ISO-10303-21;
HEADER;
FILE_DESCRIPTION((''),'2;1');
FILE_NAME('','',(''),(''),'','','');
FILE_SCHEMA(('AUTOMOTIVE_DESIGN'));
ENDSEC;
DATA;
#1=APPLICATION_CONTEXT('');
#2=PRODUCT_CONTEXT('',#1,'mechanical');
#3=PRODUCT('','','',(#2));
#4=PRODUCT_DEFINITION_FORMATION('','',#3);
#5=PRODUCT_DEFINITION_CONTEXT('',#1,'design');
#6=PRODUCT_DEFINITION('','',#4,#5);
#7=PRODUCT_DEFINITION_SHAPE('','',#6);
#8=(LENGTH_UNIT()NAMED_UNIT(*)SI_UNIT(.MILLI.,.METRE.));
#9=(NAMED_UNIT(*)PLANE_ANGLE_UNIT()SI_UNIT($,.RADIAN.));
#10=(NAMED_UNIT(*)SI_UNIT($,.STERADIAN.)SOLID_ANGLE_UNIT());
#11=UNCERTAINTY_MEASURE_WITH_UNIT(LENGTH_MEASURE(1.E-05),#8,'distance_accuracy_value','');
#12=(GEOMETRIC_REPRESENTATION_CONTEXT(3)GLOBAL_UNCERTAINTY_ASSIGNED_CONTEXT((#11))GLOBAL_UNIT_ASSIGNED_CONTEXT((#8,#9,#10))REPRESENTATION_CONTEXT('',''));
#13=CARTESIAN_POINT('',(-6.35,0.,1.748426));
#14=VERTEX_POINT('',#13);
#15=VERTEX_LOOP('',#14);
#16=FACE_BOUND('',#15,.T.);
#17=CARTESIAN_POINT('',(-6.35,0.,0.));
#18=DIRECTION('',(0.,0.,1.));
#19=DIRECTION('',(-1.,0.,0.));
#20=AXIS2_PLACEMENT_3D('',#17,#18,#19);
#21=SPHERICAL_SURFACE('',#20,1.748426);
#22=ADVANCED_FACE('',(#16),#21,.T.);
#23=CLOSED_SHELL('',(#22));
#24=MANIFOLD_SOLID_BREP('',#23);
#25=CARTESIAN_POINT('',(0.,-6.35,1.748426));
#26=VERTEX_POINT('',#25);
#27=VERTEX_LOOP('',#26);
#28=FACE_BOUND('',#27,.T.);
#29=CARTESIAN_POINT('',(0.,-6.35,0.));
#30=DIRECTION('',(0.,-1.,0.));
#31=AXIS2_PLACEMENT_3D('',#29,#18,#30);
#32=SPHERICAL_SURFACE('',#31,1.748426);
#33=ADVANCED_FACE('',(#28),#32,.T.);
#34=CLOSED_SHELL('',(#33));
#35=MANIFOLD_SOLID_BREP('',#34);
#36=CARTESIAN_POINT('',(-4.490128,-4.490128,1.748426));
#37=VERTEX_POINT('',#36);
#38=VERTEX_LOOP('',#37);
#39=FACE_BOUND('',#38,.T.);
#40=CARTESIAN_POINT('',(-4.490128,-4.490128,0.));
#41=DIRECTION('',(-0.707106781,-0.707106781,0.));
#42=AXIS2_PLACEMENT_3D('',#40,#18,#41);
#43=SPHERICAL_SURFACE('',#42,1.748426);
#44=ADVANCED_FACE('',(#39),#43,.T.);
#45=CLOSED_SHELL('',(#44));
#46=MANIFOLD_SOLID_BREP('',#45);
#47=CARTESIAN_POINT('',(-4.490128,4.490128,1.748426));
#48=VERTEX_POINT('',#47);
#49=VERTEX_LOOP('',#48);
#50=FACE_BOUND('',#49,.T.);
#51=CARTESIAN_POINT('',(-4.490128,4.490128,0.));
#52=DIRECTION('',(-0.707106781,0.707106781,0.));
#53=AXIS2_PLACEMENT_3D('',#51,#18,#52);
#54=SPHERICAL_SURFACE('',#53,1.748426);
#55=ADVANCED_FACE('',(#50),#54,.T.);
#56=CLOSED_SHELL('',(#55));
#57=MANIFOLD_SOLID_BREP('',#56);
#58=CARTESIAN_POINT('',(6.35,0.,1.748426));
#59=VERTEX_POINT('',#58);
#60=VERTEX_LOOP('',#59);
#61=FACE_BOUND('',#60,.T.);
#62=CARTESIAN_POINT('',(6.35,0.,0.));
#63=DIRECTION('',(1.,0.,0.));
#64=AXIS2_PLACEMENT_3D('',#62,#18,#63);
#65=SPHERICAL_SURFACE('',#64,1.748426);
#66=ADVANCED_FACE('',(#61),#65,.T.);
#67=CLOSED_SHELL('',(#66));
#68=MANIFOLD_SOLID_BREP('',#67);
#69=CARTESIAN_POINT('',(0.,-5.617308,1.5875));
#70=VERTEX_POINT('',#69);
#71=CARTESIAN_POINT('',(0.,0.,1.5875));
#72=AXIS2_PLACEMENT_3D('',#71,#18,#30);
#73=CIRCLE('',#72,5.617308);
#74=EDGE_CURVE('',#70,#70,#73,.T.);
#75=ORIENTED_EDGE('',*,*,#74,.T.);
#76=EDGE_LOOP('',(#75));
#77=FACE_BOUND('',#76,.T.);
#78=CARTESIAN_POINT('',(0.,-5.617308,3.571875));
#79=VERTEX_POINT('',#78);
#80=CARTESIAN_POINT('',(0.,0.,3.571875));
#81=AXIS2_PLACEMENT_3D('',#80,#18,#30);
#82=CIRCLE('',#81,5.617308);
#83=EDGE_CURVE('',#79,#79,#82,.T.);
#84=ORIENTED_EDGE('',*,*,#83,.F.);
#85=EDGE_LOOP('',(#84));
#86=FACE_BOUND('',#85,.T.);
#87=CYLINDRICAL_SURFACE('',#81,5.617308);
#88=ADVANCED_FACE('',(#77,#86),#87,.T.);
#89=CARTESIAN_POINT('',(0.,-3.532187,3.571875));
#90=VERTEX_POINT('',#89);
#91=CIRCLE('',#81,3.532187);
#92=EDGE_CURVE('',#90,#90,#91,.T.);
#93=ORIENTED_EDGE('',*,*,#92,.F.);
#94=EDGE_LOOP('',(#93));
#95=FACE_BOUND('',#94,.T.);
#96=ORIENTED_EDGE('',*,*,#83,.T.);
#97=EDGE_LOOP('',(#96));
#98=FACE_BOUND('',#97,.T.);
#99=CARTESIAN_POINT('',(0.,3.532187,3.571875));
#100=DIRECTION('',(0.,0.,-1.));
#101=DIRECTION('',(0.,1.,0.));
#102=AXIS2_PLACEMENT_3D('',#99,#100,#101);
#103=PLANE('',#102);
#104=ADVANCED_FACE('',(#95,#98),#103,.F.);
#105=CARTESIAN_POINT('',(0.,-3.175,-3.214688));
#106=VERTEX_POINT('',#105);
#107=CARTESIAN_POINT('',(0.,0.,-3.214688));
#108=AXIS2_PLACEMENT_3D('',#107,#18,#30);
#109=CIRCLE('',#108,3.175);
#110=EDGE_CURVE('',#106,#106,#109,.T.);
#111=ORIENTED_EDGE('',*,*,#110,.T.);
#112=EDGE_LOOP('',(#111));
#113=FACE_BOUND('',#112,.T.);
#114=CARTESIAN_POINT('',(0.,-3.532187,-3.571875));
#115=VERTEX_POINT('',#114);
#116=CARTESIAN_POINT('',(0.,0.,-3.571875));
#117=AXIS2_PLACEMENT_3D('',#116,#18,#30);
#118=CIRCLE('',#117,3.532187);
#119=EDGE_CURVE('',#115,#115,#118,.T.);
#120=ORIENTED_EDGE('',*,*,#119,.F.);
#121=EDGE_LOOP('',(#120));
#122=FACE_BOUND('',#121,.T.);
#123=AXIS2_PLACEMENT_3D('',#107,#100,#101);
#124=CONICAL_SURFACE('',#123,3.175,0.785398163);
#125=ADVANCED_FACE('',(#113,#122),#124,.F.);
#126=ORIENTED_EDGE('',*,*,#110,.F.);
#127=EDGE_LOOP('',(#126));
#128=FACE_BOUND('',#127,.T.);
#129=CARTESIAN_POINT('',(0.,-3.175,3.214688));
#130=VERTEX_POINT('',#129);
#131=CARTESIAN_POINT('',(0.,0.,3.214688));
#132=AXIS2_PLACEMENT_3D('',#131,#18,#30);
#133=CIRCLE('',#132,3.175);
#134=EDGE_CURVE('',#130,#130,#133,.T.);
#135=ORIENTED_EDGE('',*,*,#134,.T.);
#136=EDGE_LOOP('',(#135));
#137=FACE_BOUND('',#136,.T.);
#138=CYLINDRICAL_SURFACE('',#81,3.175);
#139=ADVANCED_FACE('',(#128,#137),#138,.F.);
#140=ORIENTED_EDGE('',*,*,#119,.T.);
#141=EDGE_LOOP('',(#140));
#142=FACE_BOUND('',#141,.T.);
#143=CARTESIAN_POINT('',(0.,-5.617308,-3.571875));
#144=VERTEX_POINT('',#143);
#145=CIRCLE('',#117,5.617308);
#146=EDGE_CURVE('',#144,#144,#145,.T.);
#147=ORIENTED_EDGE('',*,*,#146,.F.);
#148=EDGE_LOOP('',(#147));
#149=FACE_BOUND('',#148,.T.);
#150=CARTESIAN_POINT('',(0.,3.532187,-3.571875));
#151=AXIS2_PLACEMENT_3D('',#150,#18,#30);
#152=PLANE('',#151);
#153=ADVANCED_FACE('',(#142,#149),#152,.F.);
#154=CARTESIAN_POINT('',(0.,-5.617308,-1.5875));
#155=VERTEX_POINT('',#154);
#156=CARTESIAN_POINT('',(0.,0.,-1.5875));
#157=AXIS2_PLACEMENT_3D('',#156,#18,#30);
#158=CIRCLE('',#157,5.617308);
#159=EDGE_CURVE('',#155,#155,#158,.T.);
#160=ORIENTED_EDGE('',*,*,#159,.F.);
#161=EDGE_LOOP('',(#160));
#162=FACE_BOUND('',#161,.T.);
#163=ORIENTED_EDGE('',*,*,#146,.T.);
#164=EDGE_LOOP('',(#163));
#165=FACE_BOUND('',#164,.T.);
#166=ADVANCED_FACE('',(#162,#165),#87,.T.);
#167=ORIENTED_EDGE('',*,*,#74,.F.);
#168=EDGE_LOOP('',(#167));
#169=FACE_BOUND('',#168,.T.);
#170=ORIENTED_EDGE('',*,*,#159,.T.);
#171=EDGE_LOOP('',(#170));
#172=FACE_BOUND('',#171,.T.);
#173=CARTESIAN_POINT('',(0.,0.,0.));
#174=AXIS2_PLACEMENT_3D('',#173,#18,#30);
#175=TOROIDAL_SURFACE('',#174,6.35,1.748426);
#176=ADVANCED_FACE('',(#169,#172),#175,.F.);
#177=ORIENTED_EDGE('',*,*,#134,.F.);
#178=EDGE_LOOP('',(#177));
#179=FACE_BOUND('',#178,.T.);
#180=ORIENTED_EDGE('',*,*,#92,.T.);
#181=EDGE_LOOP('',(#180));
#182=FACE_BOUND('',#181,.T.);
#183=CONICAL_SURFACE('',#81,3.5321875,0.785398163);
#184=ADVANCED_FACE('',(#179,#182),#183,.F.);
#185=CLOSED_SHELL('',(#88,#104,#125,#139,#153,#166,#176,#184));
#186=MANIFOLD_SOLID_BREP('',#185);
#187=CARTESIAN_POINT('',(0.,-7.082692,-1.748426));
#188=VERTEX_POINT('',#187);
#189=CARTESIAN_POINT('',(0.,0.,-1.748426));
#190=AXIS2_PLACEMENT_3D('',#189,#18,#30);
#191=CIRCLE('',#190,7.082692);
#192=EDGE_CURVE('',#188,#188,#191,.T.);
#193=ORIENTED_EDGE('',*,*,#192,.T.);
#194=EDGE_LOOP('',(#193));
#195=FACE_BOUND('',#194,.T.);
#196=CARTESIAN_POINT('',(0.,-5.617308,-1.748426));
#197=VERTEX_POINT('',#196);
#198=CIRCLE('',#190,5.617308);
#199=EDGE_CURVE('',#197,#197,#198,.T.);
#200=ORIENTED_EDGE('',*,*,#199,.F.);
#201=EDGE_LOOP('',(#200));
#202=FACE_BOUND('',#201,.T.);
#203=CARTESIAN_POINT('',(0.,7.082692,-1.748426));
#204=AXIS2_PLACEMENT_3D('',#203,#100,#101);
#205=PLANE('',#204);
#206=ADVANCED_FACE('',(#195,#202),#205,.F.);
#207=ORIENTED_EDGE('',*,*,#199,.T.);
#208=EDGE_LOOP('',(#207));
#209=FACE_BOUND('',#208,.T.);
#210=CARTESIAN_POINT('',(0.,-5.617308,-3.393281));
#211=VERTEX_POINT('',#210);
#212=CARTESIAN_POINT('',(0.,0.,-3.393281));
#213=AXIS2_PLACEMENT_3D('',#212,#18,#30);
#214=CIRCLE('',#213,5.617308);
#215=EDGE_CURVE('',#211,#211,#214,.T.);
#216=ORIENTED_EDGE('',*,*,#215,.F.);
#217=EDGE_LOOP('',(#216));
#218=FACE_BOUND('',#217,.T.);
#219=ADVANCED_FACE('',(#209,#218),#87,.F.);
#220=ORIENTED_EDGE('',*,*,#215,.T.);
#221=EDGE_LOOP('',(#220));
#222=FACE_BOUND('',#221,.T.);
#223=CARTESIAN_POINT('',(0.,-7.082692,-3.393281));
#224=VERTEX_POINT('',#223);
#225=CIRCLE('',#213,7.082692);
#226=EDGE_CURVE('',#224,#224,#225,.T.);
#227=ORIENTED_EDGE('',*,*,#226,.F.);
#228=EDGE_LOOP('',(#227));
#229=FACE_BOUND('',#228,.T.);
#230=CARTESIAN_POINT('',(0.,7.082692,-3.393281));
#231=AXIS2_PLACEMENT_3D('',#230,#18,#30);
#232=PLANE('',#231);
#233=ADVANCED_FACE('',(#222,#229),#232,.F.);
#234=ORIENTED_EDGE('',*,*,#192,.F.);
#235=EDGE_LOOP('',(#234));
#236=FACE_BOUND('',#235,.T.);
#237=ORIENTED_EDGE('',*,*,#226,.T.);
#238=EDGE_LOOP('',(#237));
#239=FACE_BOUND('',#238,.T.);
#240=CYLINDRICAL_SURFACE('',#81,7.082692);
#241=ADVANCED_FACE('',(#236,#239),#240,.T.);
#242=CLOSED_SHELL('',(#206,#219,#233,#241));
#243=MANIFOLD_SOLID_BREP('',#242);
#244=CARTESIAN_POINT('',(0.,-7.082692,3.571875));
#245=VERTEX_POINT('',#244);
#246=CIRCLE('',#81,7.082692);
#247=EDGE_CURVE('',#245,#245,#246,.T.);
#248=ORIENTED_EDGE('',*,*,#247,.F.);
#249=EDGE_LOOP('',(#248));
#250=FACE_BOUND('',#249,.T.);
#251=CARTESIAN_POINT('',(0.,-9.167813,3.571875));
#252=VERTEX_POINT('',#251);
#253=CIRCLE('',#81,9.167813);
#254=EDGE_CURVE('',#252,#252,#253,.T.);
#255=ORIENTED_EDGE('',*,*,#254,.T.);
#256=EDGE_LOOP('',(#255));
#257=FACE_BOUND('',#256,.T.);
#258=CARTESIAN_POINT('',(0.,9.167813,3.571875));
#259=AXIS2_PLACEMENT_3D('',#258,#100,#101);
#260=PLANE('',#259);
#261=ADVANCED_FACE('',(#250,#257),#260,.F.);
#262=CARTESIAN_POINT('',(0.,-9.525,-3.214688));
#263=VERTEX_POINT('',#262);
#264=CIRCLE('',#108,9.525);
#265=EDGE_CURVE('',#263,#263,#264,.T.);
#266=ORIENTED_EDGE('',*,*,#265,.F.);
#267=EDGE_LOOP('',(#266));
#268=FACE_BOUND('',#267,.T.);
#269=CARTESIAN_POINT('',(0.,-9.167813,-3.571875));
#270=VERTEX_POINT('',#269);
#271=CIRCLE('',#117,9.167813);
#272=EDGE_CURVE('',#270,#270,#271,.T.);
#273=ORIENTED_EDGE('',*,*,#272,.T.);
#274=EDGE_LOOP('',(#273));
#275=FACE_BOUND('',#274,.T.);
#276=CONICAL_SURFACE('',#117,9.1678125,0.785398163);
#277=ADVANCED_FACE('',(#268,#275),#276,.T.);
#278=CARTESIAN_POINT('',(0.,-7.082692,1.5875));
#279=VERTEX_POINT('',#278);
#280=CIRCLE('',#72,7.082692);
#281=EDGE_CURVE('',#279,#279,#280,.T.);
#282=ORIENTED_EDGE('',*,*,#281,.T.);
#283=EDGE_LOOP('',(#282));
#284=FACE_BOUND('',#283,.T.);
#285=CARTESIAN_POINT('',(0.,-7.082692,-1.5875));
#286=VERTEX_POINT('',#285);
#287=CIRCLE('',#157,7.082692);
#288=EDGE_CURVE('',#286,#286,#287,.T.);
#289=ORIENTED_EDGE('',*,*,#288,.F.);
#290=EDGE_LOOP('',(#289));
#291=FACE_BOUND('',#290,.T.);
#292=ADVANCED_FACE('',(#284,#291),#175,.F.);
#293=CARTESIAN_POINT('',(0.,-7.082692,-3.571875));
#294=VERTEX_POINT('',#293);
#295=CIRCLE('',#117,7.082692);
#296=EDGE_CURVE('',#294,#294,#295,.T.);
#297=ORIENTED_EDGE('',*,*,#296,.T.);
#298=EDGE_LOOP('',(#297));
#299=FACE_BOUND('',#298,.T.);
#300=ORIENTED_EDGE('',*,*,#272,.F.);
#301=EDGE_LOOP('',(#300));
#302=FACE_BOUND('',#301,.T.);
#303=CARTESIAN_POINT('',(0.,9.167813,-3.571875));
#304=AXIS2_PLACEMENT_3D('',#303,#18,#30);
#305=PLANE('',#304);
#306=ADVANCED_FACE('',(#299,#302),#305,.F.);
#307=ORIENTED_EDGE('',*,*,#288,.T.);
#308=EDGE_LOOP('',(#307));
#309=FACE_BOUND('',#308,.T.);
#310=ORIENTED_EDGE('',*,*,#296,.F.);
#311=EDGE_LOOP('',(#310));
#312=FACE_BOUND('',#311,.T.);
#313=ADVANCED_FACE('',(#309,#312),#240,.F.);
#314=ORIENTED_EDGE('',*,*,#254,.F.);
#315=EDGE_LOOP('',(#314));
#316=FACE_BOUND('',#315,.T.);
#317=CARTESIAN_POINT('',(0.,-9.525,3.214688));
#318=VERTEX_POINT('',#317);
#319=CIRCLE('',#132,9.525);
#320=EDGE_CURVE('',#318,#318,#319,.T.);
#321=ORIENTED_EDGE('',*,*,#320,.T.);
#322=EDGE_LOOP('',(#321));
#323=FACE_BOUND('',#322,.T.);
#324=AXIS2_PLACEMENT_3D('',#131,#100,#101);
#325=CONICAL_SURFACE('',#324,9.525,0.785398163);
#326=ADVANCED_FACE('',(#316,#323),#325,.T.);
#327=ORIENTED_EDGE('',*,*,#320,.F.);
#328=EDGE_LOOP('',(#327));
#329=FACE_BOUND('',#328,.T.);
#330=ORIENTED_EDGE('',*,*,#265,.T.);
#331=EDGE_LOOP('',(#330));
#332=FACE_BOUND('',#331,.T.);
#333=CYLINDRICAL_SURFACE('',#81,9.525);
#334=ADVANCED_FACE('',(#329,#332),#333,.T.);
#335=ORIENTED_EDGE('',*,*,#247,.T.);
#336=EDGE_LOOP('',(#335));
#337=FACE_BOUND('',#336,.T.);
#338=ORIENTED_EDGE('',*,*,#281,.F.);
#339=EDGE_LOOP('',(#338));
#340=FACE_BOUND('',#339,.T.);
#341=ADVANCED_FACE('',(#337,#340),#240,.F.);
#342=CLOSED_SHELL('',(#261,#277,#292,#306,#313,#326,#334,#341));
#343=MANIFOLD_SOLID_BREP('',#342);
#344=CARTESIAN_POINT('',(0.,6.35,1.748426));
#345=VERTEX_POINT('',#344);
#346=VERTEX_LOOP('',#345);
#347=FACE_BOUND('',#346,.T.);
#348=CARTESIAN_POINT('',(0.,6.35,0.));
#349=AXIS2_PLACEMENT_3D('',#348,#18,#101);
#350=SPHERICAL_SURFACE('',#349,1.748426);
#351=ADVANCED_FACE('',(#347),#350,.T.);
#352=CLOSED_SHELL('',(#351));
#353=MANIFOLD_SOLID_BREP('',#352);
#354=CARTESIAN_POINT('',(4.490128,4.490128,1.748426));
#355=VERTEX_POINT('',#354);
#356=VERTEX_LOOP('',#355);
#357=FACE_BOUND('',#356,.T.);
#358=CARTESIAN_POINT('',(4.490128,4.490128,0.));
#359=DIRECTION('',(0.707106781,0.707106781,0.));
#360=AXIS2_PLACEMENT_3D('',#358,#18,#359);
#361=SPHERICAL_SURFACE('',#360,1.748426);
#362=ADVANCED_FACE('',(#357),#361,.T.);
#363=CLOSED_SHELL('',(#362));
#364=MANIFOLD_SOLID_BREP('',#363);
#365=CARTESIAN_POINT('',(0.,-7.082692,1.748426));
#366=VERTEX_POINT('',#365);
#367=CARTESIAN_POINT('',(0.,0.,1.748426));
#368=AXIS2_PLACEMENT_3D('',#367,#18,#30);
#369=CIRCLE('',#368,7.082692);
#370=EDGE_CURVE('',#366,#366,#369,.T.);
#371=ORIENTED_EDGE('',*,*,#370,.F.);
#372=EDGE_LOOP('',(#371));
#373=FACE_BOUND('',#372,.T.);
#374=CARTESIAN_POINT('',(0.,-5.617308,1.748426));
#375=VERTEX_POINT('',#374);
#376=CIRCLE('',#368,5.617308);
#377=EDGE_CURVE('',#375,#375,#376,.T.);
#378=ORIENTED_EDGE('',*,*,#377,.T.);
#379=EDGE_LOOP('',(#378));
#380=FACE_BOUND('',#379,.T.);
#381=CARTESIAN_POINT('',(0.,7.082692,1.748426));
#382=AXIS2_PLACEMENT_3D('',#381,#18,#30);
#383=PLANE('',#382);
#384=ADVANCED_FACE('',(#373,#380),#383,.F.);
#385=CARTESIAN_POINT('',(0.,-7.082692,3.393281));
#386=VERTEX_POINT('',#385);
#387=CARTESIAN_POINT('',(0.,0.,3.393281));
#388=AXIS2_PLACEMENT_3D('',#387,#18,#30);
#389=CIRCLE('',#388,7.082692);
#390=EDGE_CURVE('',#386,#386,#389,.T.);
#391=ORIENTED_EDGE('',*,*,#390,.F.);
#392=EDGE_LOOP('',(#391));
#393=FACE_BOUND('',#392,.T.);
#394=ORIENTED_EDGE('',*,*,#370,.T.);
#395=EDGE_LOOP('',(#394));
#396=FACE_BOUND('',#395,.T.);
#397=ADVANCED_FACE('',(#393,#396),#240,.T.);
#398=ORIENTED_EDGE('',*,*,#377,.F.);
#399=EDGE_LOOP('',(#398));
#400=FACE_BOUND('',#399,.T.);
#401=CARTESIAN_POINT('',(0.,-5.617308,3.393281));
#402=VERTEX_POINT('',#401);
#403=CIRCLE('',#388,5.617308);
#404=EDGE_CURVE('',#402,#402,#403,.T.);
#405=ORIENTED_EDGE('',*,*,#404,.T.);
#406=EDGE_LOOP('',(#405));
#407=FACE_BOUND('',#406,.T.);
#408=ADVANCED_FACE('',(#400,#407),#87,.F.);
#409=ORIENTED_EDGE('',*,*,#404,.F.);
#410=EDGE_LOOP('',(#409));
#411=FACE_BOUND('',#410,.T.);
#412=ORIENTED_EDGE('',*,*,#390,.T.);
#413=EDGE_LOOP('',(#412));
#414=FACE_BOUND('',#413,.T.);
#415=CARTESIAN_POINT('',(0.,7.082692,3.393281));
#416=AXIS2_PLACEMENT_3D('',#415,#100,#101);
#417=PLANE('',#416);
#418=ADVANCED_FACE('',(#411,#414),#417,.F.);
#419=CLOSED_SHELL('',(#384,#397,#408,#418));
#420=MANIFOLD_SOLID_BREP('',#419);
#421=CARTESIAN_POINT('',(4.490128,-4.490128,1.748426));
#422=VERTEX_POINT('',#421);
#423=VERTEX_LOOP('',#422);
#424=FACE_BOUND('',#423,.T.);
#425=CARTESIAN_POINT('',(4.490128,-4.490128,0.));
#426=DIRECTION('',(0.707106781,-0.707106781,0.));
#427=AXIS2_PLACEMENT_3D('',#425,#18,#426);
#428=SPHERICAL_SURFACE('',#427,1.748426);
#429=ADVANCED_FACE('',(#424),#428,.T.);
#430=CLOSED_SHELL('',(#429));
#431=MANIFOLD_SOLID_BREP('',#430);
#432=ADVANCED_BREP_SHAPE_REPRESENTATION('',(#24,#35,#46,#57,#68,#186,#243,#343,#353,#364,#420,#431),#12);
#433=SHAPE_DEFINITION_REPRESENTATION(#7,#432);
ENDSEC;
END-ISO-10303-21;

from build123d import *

# Parameters (mm, degrees)
CIRPATTERN1_COUNT = 8
SKETCH5_W         = 1.644855024
SKETCH5_H         = 1.465384616


with BuildPart() as part:
    # Sketch7 → Revolve6 (revolve)
    with BuildSketch(Plane(origin=(0, 0, 0), x_dir=(0, 0, -1), z_dir=(1, 0, 0)), mode=Mode.PRIVATE) as revolve6_sk:
        with BuildLine():
            Line((3.2146875, 9.525), (3.571875, 9.1678125))
            Line((3.571875, 9.1678125), (3.571875, 7.082692308))
            Line((3.571875, 7.082692308), (1.5875, 7.082692308))
            ThreePointArc((1.5875, 7.082692308), (0, 8.098426226), (-1.5875, 7.082692308))
            Line((-1.5875, 7.082692308), (-3.571875, 7.082692308))
            Line((-3.571875, 7.082692308), (-3.571875, 9.1678125))
            Line((-3.571875, 9.1678125), (-3.2146875, 9.525))
            Line((-3.2146875, 9.525), (3.2146875, 9.525))
        make_face()
    revolve(revolve6_sk.sketch.rotate(Axis((0, 0, 3.571875), (0, 0, -1)), 180), axis=Axis((0, 0, 3.571875), (0, 0, -1)))


with BuildPart() as body_2:
    # Sketch3 → Revolve3 (revolve)
    with BuildSketch(Plane(origin=(0, 0, 0), x_dir=(0, 0, -1), z_dir=(1, 0, 0)), mode=Mode.PRIVATE) as revolve3_sk:
        with BuildLine():
            Line((-3.2146875, 3.175), (-3.571875, 3.5321875))
            Line((-3.571875, 3.5321875), (-3.571875, 5.617307692))
            Line((-3.571875, 5.617307692), (-1.5875, 5.617307692))
            ThreePointArc((-1.5875, 5.617307692), (0, 4.601573774), (1.5875, 5.617307692))
            Line((1.5875, 5.617307692), (3.571875, 5.617307692))
            Line((3.571875, 5.617307692), (3.571875, 3.5321875))
            Line((3.571875, 3.5321875), (3.2146875, 3.175))
            Line((3.2146875, 3.175), (-3.2146875, 3.175))
        make_face()
    revolve(revolve3_sk.sketch.rotate(Axis((0, 0, 3.571875), (0, 0, -1)), 180), axis=Axis((0, 0, 3.571875), (0, 0, -1)))


with BuildPart() as body_3:
    # Sketch4 → Revolve4 (revolve)
    with BuildSketch(Plane(origin=(0, 0, 0), x_dir=(0, 0, -1), z_dir=(1, 0, 0))):
        with BuildLine():
            Line((-1.748426226, 6.35), (1.748426226, 6.35))
            ThreePointArc((1.748426226, 6.35), (0, 8.098426226), (-1.748426226, 6.35))
        make_face()
    revolve(axis=Axis((0, 6.35, 1.748426226), (0, 0, -1)))


with BuildPart() as cirpattern1_1:
    # CirPattern1: pattern copy
    add(body_3.part.rotate(Axis((0, 0, 0), (0, 0, 1)), 1 * 360 / CIRPATTERN1_COUNT))


with BuildPart() as cirpattern1_2:
    # CirPattern1: pattern copy
    add(body_3.part.rotate(Axis((0, 0, 0), (0, 0, 1)), 2 * 360 / CIRPATTERN1_COUNT))


with BuildPart() as cirpattern1_3:
    # CirPattern1: pattern copy
    add(body_3.part.rotate(Axis((0, 0, 0), (0, 0, 1)), 3 * 360 / CIRPATTERN1_COUNT))


with BuildPart() as cirpattern1_4:
    # CirPattern1: pattern copy
    add(body_3.part.rotate(Axis((0, 0, 0), (0, 0, 1)), 4 * 360 / CIRPATTERN1_COUNT))


with BuildPart() as cirpattern1_5:
    # CirPattern1: pattern copy
    add(body_3.part.rotate(Axis((0, 0, 0), (0, 0, 1)), 5 * 360 / CIRPATTERN1_COUNT))


with BuildPart() as cirpattern1_6:
    # CirPattern1: pattern copy
    add(body_3.part.rotate(Axis((0, 0, 0), (0, 0, 1)), 6 * 360 / CIRPATTERN1_COUNT))


with BuildPart() as cirpattern1_7:
    # CirPattern1: pattern copy
    add(body_3.part.rotate(Axis((0, 0, 0), (0, 0, 1)), 7 * 360 / CIRPATTERN1_COUNT))


with BuildPart() as body_11:
    # Sketch5 → Revolve5 (revolve)
    with BuildSketch(Plane(origin=(0, 0, 0), x_dir=(0, 0, -1), z_dir=(1, 0, 0)), mode=Mode.PRIVATE) as revolve5_sk:
        with Locations((-2.570853738, 6.35)):
            Rectangle(SKETCH5_W, SKETCH5_H)
        with Locations((2.570853738, 6.35)):
            Rectangle(SKETCH5_W, SKETCH5_H)
    revolve(revolve5_sk.sketch.rotate(Axis((0, 0, 3.571875), (0, 0, -1)), 180), axis=Axis((0, 0, 3.571875), (0, 0, -1)))


solid = Compound([part.part, body_2.part, body_3.part, cirpattern1_1.part, cirpattern1_2.part, cirpattern1_3.part, cirpattern1_4.part, cirpattern1_5.part, cirpattern1_6.part, cirpattern1_7.part, body_11.part])
